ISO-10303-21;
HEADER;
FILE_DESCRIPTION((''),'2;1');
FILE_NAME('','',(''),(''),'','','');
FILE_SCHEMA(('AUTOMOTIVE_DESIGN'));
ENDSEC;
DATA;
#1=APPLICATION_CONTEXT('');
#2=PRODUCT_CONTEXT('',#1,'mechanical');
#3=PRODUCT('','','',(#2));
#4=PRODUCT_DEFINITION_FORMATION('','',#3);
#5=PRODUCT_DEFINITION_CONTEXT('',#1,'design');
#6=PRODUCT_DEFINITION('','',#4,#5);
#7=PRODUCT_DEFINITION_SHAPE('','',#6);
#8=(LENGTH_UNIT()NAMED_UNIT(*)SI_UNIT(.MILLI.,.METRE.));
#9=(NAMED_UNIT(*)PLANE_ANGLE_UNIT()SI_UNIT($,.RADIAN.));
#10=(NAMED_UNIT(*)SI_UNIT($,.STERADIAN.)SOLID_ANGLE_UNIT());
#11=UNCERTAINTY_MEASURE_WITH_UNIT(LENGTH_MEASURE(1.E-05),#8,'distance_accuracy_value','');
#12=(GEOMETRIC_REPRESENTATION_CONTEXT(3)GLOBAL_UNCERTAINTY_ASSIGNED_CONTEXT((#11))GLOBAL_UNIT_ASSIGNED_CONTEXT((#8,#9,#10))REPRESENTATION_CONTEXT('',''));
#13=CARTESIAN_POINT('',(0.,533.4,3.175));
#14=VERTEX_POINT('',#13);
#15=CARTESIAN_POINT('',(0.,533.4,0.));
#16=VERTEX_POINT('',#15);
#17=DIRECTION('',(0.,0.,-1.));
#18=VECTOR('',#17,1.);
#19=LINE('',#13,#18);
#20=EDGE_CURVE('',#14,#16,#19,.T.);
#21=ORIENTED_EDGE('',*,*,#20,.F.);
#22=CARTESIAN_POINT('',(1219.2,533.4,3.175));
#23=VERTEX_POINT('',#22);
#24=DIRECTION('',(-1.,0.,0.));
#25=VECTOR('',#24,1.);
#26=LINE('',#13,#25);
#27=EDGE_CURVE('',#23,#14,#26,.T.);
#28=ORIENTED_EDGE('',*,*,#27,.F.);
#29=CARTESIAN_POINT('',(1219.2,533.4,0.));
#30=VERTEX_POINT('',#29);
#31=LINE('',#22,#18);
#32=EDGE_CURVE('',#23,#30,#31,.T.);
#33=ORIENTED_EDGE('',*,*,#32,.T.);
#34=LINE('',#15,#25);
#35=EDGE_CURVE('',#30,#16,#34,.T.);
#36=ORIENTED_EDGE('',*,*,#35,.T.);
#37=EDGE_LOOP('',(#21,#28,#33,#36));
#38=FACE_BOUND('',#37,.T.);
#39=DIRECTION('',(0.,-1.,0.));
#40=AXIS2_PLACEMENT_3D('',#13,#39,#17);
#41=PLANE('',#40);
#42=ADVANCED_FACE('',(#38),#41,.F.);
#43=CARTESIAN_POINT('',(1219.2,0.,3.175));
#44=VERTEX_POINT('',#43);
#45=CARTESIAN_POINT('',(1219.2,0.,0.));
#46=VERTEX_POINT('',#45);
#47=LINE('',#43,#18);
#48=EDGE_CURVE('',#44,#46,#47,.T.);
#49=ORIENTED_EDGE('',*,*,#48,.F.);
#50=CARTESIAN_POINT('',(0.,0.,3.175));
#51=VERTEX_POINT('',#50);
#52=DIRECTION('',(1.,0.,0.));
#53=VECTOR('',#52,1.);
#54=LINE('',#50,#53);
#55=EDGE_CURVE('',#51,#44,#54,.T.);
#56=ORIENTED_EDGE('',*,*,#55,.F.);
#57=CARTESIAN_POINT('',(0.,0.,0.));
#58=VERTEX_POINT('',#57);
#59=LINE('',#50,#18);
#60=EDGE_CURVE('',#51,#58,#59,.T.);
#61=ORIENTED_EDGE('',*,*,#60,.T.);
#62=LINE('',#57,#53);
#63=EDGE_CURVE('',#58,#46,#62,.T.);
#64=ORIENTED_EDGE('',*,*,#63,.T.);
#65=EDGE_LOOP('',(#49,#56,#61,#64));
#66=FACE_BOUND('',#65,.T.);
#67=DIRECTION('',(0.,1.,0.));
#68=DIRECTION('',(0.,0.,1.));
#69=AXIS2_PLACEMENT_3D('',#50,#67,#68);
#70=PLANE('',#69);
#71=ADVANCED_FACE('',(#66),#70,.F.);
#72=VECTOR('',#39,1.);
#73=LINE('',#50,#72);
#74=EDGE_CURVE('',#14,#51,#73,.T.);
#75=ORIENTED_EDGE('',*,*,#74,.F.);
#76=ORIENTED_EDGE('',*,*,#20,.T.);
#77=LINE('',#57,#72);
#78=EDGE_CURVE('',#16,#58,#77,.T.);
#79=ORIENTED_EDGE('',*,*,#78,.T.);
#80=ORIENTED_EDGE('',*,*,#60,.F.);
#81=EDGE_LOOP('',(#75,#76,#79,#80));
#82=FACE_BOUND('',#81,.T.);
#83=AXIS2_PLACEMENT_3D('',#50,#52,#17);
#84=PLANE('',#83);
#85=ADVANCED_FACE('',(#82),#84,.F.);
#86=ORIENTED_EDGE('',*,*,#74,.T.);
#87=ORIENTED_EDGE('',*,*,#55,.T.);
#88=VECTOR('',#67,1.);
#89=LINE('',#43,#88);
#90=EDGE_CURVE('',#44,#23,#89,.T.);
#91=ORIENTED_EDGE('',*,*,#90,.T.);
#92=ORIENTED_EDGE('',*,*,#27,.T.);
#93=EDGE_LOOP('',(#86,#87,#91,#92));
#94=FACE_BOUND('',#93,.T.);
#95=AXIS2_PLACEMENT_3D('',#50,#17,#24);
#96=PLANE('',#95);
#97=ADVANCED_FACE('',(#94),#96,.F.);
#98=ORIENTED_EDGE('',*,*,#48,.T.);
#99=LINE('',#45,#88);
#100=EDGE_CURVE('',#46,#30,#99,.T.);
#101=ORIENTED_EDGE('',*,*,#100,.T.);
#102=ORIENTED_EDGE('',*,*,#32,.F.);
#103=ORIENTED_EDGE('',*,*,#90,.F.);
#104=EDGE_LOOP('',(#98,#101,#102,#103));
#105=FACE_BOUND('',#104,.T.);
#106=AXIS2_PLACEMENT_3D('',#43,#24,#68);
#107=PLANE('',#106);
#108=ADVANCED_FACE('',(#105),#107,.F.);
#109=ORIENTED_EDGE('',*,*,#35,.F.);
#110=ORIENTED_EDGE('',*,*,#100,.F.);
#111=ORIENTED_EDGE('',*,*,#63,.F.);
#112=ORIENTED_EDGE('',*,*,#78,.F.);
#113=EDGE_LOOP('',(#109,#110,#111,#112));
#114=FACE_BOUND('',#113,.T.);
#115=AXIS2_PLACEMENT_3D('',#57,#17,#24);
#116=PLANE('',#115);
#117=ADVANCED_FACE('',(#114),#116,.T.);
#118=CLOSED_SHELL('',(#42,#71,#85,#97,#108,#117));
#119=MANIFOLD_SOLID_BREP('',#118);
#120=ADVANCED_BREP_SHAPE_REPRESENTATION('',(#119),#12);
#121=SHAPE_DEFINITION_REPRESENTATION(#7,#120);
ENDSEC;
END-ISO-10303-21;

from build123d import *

# Parameters (mm, degrees)
SKETCH1_W           = 1219.2
SKETCH1_H           = 533.4
BOSS_EXTRUDE1_DEPTH = 3.175


with BuildPart() as part:
    # Sketch1 → Boss-Extrude1 (new body)
    with BuildSketch(Plane.XY):
        with Locations((609.6, 266.7)):
            Rectangle(SKETCH1_W, SKETCH1_H)
    extrude(amount=BOSS_EXTRUDE1_DEPTH)


solid = part.part
